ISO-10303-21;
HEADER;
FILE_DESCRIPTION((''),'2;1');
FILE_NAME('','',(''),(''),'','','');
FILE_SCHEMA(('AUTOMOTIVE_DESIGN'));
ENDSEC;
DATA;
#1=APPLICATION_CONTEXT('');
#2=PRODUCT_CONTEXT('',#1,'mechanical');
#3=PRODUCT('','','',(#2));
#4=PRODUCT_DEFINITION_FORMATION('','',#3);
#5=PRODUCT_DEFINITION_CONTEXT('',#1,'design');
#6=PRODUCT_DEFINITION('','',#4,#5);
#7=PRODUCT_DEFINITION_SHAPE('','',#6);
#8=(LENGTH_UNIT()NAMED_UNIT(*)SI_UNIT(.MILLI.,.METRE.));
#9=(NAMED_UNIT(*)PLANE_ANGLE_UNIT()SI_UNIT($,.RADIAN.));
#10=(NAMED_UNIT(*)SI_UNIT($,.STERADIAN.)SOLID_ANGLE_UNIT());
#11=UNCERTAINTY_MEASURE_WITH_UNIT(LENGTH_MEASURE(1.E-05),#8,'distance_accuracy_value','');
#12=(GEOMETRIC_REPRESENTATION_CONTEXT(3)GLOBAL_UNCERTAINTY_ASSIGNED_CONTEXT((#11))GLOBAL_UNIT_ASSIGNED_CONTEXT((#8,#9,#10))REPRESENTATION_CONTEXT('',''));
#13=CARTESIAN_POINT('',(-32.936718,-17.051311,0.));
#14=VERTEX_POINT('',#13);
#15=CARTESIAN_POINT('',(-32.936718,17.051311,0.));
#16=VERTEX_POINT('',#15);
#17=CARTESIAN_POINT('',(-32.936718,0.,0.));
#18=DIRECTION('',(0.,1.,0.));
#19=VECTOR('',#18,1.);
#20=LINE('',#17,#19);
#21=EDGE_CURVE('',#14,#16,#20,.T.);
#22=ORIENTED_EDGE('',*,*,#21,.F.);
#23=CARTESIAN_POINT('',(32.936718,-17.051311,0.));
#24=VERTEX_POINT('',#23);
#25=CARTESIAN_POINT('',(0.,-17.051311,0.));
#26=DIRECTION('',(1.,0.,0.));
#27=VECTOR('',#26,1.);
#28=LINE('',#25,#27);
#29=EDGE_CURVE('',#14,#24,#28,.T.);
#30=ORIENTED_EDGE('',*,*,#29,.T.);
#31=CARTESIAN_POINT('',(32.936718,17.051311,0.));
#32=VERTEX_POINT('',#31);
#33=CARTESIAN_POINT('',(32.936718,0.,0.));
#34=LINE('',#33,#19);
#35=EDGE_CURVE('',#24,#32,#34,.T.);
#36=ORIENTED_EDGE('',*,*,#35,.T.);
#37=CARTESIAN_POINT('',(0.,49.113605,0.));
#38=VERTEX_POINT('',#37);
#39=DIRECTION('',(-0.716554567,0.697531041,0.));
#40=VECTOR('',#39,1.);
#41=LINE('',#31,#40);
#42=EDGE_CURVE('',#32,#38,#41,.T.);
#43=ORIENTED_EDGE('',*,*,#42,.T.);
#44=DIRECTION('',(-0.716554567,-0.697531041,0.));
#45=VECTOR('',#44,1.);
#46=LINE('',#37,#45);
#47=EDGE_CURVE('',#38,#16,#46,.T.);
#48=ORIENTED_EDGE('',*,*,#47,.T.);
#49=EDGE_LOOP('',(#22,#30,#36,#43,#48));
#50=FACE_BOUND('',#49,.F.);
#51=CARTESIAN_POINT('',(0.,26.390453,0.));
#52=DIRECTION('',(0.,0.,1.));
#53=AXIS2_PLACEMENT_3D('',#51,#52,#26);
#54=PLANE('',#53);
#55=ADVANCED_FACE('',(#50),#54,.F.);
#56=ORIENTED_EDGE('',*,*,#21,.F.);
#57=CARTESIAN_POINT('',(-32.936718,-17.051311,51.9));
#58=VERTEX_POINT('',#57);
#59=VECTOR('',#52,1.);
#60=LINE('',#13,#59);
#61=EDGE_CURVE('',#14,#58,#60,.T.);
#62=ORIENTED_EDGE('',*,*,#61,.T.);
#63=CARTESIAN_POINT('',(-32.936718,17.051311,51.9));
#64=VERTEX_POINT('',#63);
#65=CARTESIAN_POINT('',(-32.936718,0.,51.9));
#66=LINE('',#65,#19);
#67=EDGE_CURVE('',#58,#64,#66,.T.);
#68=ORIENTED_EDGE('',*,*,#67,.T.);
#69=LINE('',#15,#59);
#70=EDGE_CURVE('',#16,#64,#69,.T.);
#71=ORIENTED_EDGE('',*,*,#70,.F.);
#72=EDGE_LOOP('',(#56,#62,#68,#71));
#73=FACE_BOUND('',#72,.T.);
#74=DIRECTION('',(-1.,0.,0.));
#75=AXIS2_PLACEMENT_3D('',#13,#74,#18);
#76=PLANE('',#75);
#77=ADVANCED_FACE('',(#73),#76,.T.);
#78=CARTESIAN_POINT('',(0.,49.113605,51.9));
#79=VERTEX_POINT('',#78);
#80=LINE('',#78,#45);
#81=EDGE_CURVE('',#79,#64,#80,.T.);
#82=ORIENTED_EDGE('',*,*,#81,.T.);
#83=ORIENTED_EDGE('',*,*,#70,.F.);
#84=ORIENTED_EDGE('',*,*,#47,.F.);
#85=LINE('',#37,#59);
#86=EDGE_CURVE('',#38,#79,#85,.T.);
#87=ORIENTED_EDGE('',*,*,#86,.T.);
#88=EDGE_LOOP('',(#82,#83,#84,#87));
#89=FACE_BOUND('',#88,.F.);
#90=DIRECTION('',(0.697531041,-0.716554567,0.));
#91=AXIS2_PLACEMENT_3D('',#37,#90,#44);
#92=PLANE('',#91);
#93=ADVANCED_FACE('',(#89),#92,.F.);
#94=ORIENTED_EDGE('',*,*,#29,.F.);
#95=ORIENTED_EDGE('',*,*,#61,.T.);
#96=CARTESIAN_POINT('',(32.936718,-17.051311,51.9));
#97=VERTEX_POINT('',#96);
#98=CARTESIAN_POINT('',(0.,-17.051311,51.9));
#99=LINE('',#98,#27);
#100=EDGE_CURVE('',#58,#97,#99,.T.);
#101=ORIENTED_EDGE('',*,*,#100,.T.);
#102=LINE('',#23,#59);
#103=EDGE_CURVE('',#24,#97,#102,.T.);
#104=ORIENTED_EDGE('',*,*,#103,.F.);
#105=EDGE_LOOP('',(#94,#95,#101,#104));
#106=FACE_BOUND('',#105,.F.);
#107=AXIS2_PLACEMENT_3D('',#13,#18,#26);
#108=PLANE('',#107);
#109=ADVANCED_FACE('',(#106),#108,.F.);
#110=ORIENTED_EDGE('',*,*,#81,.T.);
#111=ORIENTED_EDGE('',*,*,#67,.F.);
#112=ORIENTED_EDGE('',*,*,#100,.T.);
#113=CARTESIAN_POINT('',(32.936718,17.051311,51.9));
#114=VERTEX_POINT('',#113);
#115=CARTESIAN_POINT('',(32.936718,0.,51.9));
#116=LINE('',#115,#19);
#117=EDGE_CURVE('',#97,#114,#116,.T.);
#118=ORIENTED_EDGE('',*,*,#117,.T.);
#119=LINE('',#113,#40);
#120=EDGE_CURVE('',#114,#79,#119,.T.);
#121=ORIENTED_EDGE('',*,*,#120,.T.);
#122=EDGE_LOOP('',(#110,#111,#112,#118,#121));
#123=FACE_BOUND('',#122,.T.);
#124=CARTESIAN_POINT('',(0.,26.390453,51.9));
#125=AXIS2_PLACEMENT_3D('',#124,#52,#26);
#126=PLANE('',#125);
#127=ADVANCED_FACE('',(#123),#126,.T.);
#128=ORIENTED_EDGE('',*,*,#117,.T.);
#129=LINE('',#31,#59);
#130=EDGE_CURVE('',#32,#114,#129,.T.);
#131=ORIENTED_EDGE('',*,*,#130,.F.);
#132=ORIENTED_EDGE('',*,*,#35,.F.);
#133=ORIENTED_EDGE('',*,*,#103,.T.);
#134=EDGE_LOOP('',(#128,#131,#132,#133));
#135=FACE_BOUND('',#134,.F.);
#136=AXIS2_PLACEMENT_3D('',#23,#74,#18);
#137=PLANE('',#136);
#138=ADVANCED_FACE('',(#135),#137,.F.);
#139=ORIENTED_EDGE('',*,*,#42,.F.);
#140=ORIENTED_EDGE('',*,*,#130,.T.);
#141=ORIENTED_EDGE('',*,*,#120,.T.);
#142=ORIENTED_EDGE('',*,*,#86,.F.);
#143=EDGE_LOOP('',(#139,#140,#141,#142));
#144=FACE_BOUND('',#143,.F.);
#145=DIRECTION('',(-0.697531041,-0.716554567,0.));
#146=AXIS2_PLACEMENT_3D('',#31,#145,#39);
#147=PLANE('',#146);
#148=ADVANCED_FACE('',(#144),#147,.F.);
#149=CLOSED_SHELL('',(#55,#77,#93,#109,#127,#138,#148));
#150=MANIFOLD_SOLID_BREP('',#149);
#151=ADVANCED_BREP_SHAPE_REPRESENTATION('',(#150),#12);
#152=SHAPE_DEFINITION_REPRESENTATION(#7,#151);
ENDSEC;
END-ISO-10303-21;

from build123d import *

# Parameters (mm, degrees)
F0_W     = 65.873436
F0_H     = 34.102622
F1_DEPTH = 51.9


with BuildPart() as f1:
    # F0 (on Top) → F1 (new body)
    with BuildSketch(Plane.XY):
        Polygon((-32.936718, 17.051311), (32.936718, 17.051311), (0, 49.113605), align=None)
        Rectangle(F0_W, F0_H)
    extrude(amount=F1_DEPTH)


solid = f1.part
